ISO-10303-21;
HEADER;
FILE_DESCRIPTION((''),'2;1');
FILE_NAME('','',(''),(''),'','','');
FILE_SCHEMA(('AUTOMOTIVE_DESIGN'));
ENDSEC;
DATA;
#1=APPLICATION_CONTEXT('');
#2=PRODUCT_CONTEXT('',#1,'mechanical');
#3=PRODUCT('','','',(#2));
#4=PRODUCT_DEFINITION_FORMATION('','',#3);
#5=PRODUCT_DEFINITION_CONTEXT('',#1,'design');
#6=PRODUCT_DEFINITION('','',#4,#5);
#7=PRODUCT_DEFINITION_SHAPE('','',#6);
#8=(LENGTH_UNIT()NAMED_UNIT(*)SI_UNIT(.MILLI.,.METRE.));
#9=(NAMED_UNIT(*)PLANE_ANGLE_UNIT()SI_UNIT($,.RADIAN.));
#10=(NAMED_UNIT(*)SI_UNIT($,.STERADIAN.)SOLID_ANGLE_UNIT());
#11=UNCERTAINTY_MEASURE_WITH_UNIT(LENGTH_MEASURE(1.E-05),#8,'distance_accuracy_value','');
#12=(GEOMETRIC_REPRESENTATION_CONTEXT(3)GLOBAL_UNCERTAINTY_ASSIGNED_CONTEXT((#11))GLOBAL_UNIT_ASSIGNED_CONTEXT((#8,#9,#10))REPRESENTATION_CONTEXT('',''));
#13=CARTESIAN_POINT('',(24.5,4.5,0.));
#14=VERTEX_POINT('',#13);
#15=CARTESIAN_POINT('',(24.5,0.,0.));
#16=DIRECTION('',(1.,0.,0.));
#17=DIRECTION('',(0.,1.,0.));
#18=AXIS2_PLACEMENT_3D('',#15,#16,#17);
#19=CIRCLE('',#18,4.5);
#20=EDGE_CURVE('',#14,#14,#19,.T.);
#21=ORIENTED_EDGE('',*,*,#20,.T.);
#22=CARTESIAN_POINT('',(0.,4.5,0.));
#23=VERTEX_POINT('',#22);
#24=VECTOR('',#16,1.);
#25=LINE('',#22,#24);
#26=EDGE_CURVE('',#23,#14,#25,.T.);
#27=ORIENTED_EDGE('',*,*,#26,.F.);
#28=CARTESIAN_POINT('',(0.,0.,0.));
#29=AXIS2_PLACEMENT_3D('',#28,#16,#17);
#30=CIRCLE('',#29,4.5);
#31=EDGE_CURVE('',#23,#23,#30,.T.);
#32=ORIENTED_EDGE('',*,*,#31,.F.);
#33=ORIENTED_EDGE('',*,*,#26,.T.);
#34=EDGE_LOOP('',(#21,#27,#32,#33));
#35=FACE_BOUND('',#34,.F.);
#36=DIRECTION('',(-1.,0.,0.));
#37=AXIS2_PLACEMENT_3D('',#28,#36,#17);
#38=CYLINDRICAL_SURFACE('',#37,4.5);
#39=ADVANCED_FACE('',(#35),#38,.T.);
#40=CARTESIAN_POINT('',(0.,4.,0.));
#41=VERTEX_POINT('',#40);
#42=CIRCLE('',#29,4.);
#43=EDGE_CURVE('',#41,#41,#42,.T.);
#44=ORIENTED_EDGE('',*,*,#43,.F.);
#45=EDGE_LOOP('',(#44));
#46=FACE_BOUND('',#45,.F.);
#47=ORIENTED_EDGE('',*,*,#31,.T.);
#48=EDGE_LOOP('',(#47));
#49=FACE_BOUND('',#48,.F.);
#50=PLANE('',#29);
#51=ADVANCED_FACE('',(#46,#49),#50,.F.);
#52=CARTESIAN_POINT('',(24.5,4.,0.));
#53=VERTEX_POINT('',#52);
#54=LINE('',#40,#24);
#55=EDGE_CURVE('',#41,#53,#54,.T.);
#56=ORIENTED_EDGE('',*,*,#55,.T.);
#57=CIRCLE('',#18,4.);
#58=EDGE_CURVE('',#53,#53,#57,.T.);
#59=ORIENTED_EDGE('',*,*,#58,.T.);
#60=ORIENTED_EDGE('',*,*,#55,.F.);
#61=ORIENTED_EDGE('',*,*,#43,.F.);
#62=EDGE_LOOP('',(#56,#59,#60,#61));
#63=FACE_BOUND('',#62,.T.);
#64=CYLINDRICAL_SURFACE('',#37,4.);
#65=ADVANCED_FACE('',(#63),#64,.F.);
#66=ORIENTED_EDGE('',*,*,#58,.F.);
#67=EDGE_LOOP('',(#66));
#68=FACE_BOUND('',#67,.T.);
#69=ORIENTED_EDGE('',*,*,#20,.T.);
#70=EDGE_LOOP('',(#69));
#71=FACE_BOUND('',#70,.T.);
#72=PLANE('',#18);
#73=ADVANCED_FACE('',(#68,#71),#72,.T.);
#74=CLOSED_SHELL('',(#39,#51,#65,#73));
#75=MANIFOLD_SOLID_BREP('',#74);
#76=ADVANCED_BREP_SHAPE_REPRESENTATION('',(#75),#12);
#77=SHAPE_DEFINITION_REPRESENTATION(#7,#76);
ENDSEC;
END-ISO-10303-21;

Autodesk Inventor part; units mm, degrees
ref_plane "YZ Plane" through (0, 0, 0) normal (1, 0, 0) x (0, 1, 0)
ref_plane "XZ Plane" through (0, 0, 0) normal (0, 1, 0) x (-1, 0, 0)
ref_plane "XY Plane" through (0, 0, 0) normal (0, 0, 1) x (1, 0, 0)
sketch "Sketch1" plane through (0, 0, 0) normal (1, 0, 0) x (0, 1, 0)
  circle A0 centre (0, 0) radius 4
  circle A1 centre (0, 0) radius 4.5
  dimension "d0" = 8
  dimension "d1" = 0.5
extrude "Extrusion1" add sketch "Sketch1" along normal blind 24.5
properties part number "separador_15"
